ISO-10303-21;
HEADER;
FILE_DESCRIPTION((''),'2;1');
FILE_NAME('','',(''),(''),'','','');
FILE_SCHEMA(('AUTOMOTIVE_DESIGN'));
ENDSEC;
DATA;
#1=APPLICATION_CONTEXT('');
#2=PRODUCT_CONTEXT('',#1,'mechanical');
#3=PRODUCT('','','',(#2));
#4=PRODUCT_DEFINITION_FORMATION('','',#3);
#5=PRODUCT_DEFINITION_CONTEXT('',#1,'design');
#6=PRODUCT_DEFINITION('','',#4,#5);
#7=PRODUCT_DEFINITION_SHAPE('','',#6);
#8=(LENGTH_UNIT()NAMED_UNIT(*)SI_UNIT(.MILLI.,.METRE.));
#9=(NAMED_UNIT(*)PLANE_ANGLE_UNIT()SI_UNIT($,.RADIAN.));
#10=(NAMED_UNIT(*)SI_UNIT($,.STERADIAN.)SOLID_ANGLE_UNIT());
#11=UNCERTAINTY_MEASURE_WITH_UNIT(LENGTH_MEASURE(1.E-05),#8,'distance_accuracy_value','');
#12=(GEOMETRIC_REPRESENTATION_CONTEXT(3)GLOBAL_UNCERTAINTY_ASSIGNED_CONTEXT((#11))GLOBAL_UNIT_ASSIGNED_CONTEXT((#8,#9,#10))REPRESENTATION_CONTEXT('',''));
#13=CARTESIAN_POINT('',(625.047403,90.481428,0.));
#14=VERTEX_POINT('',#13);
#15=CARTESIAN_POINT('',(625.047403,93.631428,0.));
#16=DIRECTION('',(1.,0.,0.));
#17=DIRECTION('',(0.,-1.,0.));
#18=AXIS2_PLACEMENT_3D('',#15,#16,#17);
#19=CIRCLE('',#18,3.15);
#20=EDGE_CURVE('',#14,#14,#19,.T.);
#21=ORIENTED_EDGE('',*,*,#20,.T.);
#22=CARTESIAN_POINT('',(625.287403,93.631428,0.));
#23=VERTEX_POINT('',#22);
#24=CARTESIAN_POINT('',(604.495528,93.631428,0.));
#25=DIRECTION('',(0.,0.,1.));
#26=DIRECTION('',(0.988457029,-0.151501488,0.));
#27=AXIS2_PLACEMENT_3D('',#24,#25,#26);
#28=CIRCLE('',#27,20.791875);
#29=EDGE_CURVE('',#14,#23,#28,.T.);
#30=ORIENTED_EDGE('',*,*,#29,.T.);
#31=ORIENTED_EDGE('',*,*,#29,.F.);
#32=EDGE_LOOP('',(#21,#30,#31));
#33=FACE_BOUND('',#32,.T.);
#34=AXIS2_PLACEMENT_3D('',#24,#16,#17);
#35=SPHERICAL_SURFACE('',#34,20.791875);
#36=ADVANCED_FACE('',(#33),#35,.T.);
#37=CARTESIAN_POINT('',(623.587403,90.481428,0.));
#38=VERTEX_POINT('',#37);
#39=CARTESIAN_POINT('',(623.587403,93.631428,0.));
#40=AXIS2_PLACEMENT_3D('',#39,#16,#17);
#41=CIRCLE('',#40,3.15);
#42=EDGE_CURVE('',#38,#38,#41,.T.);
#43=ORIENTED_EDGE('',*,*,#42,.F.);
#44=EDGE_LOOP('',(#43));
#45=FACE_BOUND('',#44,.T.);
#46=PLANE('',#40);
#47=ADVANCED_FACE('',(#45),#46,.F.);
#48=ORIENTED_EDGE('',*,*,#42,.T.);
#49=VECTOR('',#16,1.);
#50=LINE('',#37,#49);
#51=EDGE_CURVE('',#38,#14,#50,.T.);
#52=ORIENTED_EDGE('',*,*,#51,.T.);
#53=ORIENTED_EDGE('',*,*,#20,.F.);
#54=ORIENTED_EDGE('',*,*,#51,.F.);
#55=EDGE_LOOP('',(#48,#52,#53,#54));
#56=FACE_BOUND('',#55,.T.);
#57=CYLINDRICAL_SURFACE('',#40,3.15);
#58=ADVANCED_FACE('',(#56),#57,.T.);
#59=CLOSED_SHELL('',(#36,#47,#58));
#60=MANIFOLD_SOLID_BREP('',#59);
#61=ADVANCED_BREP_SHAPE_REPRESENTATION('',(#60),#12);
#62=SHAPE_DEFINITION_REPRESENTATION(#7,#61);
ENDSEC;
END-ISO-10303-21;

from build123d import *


with BuildPart() as part:
    # 草图1 → 旋转1 (revolve)
    with BuildSketch(Plane.XY, mode=Mode.PRIVATE) as revolve_1_sk:
        with BuildLine():
            Line((623.587402801, 93.6314284), (623.587402801, 96.7814284))
            Line((623.587402801, 96.7814284), (625.047402801, 96.7814284))
            ThreePointArc((625.047402801, 96.7814284), (625.227315978, 95.210993213), (625.287402801, 93.6314284))
            Line((625.287402801, 93.6314284), (623.587402801, 93.6314284))
        make_face()
    revolve(revolve_1_sk.sketch.rotate(Axis((622.725774631, 93.6314284, 0), (1, 0, 0)), 180), axis=Axis((622.725774631, 93.6314284, 0), (1, 0, 0)))  # turned: the seam where the file's is


solid = part.part
